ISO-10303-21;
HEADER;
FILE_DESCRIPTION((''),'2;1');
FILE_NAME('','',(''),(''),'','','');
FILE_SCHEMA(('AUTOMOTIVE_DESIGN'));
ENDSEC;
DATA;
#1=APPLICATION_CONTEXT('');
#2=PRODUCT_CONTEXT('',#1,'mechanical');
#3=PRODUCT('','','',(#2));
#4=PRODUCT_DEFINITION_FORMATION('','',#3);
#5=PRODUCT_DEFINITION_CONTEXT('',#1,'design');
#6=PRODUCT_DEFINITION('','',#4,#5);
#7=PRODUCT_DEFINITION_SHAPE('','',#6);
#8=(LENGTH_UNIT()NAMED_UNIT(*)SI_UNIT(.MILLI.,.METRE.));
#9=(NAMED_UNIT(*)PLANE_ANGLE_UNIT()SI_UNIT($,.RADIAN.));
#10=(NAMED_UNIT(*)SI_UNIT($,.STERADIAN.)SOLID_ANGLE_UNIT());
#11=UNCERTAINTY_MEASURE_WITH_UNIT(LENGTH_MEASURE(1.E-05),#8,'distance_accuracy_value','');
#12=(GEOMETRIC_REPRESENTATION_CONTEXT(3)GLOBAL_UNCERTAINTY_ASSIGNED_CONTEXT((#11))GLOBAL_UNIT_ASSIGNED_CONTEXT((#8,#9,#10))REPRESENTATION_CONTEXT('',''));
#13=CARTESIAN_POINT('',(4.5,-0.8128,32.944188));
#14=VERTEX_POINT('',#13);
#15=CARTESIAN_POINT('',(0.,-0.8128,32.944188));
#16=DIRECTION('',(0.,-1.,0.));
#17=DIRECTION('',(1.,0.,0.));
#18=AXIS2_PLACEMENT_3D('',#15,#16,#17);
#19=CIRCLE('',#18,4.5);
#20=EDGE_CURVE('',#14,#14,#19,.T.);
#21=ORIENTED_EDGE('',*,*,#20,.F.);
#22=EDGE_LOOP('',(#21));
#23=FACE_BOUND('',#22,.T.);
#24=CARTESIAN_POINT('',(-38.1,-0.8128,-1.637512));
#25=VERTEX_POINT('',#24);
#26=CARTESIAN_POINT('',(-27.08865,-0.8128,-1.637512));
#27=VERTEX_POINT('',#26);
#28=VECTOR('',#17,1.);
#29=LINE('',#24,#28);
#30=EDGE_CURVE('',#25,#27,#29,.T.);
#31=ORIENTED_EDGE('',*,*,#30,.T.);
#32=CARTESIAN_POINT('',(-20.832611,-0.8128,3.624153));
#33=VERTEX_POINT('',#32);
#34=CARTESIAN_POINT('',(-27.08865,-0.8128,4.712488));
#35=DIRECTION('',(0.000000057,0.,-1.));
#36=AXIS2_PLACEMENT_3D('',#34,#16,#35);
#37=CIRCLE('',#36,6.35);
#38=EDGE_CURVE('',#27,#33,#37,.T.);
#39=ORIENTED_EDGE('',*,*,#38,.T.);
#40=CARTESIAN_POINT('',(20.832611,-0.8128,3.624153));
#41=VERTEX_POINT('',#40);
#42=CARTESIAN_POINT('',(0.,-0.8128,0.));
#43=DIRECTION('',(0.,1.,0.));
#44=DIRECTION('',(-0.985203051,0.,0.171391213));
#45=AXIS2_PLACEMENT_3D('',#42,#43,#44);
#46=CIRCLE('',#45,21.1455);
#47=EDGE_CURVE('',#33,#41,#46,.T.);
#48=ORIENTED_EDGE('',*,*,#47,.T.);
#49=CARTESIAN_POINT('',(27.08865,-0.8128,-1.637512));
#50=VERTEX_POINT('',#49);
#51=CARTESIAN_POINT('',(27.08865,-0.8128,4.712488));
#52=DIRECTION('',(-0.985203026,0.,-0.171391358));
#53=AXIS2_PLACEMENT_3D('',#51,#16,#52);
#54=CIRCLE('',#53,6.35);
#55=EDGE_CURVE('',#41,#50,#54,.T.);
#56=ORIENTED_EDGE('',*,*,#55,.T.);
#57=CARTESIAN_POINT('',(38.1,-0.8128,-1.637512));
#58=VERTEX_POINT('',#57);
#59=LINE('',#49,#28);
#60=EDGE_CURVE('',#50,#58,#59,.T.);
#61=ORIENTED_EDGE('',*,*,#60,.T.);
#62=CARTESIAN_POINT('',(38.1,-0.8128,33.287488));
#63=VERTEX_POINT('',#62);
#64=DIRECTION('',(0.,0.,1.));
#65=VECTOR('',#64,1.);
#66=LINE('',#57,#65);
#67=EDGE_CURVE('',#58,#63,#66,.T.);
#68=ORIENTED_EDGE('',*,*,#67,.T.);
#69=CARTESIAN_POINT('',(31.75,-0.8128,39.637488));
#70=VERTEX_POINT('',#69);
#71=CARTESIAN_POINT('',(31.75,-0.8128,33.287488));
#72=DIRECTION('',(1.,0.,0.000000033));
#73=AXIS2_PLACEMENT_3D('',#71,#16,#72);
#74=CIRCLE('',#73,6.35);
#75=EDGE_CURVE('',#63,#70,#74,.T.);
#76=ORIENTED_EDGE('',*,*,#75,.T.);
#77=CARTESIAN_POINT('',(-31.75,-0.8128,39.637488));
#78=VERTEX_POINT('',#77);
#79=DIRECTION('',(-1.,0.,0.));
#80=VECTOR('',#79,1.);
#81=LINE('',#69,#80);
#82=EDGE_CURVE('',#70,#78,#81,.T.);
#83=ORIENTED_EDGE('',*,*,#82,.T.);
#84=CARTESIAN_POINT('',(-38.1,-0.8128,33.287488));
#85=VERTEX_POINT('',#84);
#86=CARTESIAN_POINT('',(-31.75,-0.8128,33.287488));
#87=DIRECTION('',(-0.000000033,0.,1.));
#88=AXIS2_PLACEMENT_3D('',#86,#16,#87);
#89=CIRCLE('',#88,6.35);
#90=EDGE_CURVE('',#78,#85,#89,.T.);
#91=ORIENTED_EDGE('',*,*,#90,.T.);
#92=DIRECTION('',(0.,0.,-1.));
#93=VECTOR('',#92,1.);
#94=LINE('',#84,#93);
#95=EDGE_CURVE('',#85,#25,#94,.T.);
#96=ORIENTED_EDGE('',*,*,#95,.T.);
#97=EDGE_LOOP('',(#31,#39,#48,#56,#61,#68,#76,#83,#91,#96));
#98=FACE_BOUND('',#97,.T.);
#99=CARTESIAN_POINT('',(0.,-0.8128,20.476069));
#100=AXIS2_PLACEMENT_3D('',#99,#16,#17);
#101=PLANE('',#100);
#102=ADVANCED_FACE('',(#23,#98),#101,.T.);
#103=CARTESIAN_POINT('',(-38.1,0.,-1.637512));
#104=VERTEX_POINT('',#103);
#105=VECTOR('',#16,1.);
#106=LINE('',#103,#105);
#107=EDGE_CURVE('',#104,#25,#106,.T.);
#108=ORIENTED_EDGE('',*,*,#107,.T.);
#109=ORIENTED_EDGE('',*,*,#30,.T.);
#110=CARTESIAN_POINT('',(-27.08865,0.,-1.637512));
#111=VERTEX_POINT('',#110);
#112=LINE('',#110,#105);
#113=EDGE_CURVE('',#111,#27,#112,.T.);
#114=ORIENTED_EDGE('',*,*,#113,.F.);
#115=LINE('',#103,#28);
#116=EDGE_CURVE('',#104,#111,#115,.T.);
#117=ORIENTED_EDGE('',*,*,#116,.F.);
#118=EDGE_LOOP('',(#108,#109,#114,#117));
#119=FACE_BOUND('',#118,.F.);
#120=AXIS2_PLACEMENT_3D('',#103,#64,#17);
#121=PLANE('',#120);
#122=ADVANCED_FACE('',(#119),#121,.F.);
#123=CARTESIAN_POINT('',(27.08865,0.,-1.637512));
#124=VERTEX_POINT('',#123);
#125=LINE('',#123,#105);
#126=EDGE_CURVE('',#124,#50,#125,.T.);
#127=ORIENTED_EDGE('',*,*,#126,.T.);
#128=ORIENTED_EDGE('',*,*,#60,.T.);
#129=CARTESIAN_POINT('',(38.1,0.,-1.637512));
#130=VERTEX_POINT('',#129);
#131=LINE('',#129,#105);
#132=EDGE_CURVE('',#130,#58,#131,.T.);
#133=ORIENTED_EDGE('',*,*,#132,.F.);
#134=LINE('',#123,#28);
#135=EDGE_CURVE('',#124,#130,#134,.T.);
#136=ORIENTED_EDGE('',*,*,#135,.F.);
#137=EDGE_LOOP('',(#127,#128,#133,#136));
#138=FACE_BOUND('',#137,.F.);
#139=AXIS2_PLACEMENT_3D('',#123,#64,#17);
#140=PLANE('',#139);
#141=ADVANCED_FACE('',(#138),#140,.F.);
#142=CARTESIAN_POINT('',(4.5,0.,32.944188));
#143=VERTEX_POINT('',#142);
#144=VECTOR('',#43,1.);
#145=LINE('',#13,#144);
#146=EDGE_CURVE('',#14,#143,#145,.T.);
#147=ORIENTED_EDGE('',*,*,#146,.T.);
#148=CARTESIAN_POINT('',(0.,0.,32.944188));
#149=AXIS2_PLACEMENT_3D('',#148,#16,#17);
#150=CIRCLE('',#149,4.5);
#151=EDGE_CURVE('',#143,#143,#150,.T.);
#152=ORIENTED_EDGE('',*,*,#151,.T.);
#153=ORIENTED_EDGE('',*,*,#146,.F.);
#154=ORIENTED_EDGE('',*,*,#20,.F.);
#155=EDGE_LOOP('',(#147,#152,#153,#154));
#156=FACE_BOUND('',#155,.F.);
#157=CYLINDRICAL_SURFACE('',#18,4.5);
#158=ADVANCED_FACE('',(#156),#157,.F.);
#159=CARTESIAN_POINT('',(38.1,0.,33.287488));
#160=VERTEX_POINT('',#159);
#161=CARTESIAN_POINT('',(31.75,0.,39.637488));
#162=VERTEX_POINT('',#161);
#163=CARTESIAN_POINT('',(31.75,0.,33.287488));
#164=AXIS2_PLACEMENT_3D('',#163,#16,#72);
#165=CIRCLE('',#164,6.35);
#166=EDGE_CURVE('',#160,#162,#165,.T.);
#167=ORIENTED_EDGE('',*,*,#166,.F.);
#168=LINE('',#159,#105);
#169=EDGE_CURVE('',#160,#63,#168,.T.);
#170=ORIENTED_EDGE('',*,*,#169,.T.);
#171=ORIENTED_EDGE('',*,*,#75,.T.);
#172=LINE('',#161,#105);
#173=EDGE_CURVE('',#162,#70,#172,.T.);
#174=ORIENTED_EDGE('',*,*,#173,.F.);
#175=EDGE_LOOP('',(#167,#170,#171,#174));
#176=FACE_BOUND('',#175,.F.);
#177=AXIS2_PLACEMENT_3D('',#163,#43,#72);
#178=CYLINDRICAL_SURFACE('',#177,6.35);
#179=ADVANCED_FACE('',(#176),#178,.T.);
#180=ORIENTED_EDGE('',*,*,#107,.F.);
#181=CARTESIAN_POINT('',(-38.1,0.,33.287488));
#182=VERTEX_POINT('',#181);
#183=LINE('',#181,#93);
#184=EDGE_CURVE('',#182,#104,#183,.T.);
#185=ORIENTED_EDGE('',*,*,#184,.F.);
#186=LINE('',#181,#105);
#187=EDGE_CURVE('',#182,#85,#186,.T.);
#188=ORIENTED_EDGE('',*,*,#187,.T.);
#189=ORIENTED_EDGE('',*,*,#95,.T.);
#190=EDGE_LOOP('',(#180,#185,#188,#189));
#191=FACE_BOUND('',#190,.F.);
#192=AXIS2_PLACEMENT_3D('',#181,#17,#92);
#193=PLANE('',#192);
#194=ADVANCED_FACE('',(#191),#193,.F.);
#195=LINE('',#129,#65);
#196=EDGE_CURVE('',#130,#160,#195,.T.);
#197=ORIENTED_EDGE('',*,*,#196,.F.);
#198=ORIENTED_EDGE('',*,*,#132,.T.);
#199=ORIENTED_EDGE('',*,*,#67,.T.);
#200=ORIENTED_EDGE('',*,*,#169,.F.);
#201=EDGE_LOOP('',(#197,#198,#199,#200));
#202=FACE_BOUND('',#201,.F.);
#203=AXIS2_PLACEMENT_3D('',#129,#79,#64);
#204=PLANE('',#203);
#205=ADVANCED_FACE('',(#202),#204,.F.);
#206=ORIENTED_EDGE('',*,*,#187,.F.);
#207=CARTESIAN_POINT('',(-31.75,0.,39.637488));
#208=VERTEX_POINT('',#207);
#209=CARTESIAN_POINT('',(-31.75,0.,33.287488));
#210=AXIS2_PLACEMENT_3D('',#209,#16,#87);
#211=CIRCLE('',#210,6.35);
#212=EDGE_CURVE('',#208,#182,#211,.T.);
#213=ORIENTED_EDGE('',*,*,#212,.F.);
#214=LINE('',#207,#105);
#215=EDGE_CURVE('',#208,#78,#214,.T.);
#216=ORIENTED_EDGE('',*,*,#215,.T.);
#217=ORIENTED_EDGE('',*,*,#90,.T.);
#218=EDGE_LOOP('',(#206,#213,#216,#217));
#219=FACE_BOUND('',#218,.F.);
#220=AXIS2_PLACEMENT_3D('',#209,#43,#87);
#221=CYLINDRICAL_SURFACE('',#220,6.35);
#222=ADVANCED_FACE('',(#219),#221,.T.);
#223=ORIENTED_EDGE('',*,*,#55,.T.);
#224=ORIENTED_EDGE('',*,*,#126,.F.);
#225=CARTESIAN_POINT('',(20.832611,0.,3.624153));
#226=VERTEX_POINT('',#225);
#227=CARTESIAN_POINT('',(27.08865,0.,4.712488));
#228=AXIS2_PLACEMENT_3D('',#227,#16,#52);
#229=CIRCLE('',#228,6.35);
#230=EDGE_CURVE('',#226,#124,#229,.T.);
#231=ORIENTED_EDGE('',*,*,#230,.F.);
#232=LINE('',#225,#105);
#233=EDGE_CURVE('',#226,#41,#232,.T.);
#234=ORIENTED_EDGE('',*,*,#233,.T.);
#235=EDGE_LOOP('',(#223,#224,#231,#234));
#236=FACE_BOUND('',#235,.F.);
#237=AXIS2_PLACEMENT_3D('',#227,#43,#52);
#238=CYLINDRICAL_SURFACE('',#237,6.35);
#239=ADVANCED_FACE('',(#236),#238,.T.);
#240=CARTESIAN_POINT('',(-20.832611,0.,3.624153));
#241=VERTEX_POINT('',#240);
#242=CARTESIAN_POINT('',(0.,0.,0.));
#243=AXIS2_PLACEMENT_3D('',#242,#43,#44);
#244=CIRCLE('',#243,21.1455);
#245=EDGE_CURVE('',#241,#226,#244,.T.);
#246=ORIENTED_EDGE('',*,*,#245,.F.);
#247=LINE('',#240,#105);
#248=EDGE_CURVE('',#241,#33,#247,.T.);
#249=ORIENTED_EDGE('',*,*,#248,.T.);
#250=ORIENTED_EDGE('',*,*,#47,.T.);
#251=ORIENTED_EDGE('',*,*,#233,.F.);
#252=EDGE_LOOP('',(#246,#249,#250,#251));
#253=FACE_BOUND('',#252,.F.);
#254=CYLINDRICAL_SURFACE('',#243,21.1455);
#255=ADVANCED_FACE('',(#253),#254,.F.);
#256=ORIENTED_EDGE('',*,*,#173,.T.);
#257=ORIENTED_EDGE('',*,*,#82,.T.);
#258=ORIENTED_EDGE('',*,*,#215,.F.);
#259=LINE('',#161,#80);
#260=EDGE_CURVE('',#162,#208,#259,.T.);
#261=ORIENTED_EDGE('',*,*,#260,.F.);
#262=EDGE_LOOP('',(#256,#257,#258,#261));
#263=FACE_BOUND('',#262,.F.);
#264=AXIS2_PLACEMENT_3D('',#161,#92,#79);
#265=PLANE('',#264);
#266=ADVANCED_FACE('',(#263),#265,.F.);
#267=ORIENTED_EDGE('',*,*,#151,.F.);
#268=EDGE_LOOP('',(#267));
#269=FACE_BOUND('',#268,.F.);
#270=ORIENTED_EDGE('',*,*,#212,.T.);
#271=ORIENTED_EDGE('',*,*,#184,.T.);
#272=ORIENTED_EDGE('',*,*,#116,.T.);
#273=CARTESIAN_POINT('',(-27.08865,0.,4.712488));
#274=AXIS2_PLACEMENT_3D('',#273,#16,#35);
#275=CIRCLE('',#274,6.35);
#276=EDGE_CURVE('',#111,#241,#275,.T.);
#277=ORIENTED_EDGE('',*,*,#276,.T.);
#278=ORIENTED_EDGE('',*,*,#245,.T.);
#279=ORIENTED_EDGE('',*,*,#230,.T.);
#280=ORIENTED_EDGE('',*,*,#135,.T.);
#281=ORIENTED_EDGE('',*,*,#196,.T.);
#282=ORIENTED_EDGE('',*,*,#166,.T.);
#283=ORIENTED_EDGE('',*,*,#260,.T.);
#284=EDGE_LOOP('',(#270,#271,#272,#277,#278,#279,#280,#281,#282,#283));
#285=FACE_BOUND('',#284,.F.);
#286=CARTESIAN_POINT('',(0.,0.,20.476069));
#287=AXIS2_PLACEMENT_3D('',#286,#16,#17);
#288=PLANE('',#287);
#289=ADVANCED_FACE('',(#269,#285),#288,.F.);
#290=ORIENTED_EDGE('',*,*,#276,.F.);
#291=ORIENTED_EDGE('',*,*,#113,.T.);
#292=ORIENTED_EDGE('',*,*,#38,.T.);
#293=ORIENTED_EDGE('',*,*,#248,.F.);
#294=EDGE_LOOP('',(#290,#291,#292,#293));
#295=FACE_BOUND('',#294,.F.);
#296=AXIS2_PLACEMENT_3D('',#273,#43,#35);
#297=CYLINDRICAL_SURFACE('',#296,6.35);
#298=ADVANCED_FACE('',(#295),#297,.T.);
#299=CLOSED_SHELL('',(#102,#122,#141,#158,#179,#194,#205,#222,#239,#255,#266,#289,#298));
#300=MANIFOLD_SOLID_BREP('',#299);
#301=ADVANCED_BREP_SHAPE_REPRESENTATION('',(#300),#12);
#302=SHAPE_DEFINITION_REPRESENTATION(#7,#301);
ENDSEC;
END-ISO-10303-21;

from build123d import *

# Parameters (mm, degrees)
F1_DEPTH = 0.8128
F2_R     = 4.5
F3_DEPTH = 25.4


with BuildPart() as f1:
    # F0 (on Front) → F1 (new body)
    with BuildSketch(Plane.XZ):
        with BuildLine():
            ThreePointArc((-20.832611, 3.624153), (0, 21.1455), (20.832611, 3.624153))
            ThreePointArc((20.832611, 3.624153), (23.001379, -0.147215), (27.08865, -1.637512))
            Line((27.08865, -1.637512), (38.1, -1.637512))
            Line((38.1, -1.637512), (38.1, 33.287488))
            ThreePointArc((38.1, 33.287488), (36.240128, 37.777616), (31.75, 39.637488))
            Line((31.75, 39.637488), (-31.75, 39.637488))
            ThreePointArc((-31.75, 39.637488), (-36.240128, 37.777616), (-38.1, 33.287488))
            Line((-38.1, 33.287488), (-38.1, -1.637512))
            Line((-38.1, -1.637512), (-27.08865, -1.637512))
            ThreePointArc((-27.08865, -1.637512), (-23.001379, -0.147215), (-20.832611, 3.624153))
        make_face()
    extrude(amount=F1_DEPTH)

    # F2 (on face) → F3 (cut)
    with BuildSketch(Plane.XZ.offset(0.8128)):
        with Locations((0, 32.944188)):
            Circle(F2_R)
    extrude(amount=-F3_DEPTH, mode=Mode.SUBTRACT)


solid = f1.part
